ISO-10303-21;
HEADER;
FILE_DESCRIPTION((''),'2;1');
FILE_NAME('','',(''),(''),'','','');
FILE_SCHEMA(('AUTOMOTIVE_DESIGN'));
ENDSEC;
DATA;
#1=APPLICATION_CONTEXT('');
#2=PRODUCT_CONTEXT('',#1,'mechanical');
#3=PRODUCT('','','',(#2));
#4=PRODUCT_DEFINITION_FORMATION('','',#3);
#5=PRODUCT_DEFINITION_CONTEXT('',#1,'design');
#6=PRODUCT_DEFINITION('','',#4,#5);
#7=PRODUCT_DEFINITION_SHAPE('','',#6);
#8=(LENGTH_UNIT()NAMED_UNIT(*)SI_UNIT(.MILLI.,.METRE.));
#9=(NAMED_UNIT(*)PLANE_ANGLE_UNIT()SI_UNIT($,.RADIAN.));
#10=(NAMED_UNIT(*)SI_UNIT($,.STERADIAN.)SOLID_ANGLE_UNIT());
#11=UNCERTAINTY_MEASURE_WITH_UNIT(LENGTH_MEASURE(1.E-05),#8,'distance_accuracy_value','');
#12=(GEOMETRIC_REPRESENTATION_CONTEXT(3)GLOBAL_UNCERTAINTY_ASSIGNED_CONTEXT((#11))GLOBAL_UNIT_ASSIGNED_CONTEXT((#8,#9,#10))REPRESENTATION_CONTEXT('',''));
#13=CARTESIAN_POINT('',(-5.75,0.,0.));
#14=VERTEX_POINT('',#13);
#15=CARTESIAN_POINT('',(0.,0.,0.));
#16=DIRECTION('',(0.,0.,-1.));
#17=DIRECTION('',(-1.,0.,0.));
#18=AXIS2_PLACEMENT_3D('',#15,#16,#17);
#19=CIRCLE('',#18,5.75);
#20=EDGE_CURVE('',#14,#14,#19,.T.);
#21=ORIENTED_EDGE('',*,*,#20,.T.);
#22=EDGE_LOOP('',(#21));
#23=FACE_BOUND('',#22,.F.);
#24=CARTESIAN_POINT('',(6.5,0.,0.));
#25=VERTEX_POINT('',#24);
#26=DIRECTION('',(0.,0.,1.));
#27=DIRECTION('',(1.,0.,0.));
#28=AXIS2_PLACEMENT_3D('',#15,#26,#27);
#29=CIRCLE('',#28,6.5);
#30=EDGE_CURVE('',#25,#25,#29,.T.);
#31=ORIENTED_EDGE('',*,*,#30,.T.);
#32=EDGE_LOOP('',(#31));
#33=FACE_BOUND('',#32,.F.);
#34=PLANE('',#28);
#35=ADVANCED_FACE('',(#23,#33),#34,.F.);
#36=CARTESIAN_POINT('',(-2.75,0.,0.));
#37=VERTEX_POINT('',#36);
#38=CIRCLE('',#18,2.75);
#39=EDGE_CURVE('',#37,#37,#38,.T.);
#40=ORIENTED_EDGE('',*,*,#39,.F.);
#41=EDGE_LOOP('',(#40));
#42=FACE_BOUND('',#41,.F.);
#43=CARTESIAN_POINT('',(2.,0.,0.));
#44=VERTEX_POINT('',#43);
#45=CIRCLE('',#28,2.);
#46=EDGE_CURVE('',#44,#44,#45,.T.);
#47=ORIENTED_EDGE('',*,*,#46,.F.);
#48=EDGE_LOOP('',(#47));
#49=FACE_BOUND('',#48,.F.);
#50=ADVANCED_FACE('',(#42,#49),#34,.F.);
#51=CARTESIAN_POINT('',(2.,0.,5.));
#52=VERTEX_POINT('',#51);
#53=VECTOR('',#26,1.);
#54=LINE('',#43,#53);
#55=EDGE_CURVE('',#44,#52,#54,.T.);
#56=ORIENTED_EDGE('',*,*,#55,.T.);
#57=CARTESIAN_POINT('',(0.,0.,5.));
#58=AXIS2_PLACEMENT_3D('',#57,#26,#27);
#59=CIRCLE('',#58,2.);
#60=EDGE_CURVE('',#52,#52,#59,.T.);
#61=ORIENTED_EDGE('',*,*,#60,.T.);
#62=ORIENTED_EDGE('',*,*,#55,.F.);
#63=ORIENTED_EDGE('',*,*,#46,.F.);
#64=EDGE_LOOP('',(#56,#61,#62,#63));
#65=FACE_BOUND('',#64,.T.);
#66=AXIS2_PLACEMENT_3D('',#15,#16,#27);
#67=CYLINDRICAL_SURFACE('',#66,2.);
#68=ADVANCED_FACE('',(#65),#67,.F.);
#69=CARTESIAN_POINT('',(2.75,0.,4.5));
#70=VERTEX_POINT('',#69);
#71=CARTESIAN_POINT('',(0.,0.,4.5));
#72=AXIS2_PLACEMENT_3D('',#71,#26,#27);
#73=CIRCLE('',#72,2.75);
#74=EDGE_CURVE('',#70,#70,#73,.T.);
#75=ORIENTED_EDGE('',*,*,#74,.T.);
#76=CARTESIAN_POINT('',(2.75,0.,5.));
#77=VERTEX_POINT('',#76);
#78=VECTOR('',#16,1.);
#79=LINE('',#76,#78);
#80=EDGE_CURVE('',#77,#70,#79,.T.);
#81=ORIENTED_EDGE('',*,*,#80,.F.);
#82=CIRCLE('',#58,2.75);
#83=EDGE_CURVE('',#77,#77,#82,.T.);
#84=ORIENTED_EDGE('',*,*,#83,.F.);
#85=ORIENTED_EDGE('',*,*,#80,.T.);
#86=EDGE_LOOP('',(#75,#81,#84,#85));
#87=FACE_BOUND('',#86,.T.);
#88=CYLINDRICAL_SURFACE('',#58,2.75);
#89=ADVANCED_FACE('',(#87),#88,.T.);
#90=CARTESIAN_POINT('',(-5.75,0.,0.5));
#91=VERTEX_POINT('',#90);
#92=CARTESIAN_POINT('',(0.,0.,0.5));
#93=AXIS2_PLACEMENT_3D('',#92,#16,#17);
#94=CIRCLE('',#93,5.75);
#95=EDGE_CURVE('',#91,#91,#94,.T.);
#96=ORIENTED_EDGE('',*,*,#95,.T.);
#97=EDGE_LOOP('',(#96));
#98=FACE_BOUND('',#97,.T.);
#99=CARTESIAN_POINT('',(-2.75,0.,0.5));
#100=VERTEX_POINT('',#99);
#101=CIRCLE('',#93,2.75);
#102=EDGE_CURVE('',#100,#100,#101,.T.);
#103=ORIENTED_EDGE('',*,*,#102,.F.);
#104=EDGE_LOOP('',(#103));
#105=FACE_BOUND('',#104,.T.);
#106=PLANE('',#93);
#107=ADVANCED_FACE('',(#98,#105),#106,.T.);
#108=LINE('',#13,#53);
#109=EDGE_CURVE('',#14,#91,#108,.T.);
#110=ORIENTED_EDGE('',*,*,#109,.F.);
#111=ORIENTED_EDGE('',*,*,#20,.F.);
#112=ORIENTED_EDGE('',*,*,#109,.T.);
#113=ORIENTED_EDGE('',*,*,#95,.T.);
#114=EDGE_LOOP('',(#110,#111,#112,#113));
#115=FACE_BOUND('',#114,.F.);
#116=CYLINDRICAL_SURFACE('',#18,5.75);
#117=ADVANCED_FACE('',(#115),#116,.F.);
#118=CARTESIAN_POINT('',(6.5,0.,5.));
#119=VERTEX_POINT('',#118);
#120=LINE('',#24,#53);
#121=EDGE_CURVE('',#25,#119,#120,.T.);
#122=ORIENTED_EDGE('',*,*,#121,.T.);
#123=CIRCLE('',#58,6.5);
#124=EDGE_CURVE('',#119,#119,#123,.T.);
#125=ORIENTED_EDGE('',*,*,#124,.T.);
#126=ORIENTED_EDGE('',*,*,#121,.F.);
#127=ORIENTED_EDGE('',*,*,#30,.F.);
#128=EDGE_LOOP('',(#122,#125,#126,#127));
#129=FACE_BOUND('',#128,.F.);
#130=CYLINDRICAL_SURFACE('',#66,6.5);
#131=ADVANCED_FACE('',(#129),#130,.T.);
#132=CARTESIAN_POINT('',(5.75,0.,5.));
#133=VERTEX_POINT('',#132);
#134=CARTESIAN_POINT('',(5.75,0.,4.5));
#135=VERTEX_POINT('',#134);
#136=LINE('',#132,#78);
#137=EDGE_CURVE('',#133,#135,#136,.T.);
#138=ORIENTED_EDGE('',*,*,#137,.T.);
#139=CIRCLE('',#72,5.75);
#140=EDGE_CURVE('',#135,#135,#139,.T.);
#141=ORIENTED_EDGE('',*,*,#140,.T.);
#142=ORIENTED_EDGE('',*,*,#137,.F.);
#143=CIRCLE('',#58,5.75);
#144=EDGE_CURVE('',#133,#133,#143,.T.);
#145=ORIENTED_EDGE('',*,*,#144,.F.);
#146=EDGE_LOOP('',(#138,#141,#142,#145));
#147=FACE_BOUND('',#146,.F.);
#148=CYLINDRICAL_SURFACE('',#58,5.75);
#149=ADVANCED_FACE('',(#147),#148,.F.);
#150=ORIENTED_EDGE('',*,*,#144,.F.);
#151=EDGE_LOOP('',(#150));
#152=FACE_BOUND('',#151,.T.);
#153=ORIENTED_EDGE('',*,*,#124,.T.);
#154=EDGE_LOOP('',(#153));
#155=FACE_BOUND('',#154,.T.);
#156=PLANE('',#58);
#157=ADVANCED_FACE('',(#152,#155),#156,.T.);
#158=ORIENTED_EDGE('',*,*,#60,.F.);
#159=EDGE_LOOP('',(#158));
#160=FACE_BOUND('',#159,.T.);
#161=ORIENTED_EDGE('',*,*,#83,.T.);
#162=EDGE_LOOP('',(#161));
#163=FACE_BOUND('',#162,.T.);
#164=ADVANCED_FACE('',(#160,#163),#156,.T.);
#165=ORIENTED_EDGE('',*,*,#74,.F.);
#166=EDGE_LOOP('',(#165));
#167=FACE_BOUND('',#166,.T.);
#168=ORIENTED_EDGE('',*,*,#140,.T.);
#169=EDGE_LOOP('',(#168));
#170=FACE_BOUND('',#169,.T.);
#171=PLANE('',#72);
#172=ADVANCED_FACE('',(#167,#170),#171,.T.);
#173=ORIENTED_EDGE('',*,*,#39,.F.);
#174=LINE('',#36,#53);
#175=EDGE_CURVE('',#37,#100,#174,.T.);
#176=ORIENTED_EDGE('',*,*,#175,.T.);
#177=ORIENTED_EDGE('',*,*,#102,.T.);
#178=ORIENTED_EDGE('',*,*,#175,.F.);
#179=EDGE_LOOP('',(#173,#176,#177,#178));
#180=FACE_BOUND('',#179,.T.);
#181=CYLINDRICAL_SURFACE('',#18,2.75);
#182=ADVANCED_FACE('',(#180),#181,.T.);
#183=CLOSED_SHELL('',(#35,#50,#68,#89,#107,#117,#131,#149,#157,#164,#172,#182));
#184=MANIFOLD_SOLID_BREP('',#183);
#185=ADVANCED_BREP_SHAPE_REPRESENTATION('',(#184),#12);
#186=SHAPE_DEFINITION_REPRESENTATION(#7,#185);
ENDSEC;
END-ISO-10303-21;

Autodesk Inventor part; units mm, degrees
ref_plane "YZ Plane" through (0, 0, 0) normal (1, 0, 0) x (0, 1, 0)
ref_plane "XZ Plane" through (0, 0, 0) normal (0, 1, 0) x (-1, 0, 0)
ref_plane "XY Plane" through (0, 0, 0) normal (0, 0, 1) x (1, 0, 0)
sketch "Esquisse1" plane through (0, 0, 0) normal (0, 0, 1) x (1, 0, 0)
  circle A0 centre (0, 0) radius 2
  circle A1 centre (0, 0) radius 6.5
  dimension "d0" = 4
  dimension "d1" = 13
extrude "Extrusion1" add sketch "Esquisse1" along normal blind 5
sketch "Esquisse2" plane through (0, 0, 5) normal (0, 0, 1) x (1, 0, 0)
  circle A0 centre (0, 0) radius 2 projected
  circle A1 centre (0, 0) radius 6.5 projected
  circle A2 centre (0, 0) radius 2.75
  circle A3 centre (0, 0) radius 5.75
  dimension "d4" = 11.5
  dimension "d5" = 13
  dimension "d6" = 4
  dimension "d7" = 5.5
extrude "Extrusion2" cut sketch "Esquisse2" against normal blind 0.5 contours A3
sketch "Esquisse3" plane through (0, 0, 0) normal (0, 0, -1) x (-1, 0, 0)
  circle A0 centre (0, 0) radius 2 projected
  circle A1 centre (0, 0) radius 6.5 projected
  circle A2 centre (0, 0) radius 2.75
  circle A3 centre (0, 0) radius 5.75
  dimension "d12" = 11.5
  dimension "d13" = 13
  dimension "d14" = 4
  dimension "d15" = 5.5
extrude "Extrusion3" cut sketch "Esquisse3" against normal blind 0.5 contours A3
properties part number "Roulement" material "Acier"
